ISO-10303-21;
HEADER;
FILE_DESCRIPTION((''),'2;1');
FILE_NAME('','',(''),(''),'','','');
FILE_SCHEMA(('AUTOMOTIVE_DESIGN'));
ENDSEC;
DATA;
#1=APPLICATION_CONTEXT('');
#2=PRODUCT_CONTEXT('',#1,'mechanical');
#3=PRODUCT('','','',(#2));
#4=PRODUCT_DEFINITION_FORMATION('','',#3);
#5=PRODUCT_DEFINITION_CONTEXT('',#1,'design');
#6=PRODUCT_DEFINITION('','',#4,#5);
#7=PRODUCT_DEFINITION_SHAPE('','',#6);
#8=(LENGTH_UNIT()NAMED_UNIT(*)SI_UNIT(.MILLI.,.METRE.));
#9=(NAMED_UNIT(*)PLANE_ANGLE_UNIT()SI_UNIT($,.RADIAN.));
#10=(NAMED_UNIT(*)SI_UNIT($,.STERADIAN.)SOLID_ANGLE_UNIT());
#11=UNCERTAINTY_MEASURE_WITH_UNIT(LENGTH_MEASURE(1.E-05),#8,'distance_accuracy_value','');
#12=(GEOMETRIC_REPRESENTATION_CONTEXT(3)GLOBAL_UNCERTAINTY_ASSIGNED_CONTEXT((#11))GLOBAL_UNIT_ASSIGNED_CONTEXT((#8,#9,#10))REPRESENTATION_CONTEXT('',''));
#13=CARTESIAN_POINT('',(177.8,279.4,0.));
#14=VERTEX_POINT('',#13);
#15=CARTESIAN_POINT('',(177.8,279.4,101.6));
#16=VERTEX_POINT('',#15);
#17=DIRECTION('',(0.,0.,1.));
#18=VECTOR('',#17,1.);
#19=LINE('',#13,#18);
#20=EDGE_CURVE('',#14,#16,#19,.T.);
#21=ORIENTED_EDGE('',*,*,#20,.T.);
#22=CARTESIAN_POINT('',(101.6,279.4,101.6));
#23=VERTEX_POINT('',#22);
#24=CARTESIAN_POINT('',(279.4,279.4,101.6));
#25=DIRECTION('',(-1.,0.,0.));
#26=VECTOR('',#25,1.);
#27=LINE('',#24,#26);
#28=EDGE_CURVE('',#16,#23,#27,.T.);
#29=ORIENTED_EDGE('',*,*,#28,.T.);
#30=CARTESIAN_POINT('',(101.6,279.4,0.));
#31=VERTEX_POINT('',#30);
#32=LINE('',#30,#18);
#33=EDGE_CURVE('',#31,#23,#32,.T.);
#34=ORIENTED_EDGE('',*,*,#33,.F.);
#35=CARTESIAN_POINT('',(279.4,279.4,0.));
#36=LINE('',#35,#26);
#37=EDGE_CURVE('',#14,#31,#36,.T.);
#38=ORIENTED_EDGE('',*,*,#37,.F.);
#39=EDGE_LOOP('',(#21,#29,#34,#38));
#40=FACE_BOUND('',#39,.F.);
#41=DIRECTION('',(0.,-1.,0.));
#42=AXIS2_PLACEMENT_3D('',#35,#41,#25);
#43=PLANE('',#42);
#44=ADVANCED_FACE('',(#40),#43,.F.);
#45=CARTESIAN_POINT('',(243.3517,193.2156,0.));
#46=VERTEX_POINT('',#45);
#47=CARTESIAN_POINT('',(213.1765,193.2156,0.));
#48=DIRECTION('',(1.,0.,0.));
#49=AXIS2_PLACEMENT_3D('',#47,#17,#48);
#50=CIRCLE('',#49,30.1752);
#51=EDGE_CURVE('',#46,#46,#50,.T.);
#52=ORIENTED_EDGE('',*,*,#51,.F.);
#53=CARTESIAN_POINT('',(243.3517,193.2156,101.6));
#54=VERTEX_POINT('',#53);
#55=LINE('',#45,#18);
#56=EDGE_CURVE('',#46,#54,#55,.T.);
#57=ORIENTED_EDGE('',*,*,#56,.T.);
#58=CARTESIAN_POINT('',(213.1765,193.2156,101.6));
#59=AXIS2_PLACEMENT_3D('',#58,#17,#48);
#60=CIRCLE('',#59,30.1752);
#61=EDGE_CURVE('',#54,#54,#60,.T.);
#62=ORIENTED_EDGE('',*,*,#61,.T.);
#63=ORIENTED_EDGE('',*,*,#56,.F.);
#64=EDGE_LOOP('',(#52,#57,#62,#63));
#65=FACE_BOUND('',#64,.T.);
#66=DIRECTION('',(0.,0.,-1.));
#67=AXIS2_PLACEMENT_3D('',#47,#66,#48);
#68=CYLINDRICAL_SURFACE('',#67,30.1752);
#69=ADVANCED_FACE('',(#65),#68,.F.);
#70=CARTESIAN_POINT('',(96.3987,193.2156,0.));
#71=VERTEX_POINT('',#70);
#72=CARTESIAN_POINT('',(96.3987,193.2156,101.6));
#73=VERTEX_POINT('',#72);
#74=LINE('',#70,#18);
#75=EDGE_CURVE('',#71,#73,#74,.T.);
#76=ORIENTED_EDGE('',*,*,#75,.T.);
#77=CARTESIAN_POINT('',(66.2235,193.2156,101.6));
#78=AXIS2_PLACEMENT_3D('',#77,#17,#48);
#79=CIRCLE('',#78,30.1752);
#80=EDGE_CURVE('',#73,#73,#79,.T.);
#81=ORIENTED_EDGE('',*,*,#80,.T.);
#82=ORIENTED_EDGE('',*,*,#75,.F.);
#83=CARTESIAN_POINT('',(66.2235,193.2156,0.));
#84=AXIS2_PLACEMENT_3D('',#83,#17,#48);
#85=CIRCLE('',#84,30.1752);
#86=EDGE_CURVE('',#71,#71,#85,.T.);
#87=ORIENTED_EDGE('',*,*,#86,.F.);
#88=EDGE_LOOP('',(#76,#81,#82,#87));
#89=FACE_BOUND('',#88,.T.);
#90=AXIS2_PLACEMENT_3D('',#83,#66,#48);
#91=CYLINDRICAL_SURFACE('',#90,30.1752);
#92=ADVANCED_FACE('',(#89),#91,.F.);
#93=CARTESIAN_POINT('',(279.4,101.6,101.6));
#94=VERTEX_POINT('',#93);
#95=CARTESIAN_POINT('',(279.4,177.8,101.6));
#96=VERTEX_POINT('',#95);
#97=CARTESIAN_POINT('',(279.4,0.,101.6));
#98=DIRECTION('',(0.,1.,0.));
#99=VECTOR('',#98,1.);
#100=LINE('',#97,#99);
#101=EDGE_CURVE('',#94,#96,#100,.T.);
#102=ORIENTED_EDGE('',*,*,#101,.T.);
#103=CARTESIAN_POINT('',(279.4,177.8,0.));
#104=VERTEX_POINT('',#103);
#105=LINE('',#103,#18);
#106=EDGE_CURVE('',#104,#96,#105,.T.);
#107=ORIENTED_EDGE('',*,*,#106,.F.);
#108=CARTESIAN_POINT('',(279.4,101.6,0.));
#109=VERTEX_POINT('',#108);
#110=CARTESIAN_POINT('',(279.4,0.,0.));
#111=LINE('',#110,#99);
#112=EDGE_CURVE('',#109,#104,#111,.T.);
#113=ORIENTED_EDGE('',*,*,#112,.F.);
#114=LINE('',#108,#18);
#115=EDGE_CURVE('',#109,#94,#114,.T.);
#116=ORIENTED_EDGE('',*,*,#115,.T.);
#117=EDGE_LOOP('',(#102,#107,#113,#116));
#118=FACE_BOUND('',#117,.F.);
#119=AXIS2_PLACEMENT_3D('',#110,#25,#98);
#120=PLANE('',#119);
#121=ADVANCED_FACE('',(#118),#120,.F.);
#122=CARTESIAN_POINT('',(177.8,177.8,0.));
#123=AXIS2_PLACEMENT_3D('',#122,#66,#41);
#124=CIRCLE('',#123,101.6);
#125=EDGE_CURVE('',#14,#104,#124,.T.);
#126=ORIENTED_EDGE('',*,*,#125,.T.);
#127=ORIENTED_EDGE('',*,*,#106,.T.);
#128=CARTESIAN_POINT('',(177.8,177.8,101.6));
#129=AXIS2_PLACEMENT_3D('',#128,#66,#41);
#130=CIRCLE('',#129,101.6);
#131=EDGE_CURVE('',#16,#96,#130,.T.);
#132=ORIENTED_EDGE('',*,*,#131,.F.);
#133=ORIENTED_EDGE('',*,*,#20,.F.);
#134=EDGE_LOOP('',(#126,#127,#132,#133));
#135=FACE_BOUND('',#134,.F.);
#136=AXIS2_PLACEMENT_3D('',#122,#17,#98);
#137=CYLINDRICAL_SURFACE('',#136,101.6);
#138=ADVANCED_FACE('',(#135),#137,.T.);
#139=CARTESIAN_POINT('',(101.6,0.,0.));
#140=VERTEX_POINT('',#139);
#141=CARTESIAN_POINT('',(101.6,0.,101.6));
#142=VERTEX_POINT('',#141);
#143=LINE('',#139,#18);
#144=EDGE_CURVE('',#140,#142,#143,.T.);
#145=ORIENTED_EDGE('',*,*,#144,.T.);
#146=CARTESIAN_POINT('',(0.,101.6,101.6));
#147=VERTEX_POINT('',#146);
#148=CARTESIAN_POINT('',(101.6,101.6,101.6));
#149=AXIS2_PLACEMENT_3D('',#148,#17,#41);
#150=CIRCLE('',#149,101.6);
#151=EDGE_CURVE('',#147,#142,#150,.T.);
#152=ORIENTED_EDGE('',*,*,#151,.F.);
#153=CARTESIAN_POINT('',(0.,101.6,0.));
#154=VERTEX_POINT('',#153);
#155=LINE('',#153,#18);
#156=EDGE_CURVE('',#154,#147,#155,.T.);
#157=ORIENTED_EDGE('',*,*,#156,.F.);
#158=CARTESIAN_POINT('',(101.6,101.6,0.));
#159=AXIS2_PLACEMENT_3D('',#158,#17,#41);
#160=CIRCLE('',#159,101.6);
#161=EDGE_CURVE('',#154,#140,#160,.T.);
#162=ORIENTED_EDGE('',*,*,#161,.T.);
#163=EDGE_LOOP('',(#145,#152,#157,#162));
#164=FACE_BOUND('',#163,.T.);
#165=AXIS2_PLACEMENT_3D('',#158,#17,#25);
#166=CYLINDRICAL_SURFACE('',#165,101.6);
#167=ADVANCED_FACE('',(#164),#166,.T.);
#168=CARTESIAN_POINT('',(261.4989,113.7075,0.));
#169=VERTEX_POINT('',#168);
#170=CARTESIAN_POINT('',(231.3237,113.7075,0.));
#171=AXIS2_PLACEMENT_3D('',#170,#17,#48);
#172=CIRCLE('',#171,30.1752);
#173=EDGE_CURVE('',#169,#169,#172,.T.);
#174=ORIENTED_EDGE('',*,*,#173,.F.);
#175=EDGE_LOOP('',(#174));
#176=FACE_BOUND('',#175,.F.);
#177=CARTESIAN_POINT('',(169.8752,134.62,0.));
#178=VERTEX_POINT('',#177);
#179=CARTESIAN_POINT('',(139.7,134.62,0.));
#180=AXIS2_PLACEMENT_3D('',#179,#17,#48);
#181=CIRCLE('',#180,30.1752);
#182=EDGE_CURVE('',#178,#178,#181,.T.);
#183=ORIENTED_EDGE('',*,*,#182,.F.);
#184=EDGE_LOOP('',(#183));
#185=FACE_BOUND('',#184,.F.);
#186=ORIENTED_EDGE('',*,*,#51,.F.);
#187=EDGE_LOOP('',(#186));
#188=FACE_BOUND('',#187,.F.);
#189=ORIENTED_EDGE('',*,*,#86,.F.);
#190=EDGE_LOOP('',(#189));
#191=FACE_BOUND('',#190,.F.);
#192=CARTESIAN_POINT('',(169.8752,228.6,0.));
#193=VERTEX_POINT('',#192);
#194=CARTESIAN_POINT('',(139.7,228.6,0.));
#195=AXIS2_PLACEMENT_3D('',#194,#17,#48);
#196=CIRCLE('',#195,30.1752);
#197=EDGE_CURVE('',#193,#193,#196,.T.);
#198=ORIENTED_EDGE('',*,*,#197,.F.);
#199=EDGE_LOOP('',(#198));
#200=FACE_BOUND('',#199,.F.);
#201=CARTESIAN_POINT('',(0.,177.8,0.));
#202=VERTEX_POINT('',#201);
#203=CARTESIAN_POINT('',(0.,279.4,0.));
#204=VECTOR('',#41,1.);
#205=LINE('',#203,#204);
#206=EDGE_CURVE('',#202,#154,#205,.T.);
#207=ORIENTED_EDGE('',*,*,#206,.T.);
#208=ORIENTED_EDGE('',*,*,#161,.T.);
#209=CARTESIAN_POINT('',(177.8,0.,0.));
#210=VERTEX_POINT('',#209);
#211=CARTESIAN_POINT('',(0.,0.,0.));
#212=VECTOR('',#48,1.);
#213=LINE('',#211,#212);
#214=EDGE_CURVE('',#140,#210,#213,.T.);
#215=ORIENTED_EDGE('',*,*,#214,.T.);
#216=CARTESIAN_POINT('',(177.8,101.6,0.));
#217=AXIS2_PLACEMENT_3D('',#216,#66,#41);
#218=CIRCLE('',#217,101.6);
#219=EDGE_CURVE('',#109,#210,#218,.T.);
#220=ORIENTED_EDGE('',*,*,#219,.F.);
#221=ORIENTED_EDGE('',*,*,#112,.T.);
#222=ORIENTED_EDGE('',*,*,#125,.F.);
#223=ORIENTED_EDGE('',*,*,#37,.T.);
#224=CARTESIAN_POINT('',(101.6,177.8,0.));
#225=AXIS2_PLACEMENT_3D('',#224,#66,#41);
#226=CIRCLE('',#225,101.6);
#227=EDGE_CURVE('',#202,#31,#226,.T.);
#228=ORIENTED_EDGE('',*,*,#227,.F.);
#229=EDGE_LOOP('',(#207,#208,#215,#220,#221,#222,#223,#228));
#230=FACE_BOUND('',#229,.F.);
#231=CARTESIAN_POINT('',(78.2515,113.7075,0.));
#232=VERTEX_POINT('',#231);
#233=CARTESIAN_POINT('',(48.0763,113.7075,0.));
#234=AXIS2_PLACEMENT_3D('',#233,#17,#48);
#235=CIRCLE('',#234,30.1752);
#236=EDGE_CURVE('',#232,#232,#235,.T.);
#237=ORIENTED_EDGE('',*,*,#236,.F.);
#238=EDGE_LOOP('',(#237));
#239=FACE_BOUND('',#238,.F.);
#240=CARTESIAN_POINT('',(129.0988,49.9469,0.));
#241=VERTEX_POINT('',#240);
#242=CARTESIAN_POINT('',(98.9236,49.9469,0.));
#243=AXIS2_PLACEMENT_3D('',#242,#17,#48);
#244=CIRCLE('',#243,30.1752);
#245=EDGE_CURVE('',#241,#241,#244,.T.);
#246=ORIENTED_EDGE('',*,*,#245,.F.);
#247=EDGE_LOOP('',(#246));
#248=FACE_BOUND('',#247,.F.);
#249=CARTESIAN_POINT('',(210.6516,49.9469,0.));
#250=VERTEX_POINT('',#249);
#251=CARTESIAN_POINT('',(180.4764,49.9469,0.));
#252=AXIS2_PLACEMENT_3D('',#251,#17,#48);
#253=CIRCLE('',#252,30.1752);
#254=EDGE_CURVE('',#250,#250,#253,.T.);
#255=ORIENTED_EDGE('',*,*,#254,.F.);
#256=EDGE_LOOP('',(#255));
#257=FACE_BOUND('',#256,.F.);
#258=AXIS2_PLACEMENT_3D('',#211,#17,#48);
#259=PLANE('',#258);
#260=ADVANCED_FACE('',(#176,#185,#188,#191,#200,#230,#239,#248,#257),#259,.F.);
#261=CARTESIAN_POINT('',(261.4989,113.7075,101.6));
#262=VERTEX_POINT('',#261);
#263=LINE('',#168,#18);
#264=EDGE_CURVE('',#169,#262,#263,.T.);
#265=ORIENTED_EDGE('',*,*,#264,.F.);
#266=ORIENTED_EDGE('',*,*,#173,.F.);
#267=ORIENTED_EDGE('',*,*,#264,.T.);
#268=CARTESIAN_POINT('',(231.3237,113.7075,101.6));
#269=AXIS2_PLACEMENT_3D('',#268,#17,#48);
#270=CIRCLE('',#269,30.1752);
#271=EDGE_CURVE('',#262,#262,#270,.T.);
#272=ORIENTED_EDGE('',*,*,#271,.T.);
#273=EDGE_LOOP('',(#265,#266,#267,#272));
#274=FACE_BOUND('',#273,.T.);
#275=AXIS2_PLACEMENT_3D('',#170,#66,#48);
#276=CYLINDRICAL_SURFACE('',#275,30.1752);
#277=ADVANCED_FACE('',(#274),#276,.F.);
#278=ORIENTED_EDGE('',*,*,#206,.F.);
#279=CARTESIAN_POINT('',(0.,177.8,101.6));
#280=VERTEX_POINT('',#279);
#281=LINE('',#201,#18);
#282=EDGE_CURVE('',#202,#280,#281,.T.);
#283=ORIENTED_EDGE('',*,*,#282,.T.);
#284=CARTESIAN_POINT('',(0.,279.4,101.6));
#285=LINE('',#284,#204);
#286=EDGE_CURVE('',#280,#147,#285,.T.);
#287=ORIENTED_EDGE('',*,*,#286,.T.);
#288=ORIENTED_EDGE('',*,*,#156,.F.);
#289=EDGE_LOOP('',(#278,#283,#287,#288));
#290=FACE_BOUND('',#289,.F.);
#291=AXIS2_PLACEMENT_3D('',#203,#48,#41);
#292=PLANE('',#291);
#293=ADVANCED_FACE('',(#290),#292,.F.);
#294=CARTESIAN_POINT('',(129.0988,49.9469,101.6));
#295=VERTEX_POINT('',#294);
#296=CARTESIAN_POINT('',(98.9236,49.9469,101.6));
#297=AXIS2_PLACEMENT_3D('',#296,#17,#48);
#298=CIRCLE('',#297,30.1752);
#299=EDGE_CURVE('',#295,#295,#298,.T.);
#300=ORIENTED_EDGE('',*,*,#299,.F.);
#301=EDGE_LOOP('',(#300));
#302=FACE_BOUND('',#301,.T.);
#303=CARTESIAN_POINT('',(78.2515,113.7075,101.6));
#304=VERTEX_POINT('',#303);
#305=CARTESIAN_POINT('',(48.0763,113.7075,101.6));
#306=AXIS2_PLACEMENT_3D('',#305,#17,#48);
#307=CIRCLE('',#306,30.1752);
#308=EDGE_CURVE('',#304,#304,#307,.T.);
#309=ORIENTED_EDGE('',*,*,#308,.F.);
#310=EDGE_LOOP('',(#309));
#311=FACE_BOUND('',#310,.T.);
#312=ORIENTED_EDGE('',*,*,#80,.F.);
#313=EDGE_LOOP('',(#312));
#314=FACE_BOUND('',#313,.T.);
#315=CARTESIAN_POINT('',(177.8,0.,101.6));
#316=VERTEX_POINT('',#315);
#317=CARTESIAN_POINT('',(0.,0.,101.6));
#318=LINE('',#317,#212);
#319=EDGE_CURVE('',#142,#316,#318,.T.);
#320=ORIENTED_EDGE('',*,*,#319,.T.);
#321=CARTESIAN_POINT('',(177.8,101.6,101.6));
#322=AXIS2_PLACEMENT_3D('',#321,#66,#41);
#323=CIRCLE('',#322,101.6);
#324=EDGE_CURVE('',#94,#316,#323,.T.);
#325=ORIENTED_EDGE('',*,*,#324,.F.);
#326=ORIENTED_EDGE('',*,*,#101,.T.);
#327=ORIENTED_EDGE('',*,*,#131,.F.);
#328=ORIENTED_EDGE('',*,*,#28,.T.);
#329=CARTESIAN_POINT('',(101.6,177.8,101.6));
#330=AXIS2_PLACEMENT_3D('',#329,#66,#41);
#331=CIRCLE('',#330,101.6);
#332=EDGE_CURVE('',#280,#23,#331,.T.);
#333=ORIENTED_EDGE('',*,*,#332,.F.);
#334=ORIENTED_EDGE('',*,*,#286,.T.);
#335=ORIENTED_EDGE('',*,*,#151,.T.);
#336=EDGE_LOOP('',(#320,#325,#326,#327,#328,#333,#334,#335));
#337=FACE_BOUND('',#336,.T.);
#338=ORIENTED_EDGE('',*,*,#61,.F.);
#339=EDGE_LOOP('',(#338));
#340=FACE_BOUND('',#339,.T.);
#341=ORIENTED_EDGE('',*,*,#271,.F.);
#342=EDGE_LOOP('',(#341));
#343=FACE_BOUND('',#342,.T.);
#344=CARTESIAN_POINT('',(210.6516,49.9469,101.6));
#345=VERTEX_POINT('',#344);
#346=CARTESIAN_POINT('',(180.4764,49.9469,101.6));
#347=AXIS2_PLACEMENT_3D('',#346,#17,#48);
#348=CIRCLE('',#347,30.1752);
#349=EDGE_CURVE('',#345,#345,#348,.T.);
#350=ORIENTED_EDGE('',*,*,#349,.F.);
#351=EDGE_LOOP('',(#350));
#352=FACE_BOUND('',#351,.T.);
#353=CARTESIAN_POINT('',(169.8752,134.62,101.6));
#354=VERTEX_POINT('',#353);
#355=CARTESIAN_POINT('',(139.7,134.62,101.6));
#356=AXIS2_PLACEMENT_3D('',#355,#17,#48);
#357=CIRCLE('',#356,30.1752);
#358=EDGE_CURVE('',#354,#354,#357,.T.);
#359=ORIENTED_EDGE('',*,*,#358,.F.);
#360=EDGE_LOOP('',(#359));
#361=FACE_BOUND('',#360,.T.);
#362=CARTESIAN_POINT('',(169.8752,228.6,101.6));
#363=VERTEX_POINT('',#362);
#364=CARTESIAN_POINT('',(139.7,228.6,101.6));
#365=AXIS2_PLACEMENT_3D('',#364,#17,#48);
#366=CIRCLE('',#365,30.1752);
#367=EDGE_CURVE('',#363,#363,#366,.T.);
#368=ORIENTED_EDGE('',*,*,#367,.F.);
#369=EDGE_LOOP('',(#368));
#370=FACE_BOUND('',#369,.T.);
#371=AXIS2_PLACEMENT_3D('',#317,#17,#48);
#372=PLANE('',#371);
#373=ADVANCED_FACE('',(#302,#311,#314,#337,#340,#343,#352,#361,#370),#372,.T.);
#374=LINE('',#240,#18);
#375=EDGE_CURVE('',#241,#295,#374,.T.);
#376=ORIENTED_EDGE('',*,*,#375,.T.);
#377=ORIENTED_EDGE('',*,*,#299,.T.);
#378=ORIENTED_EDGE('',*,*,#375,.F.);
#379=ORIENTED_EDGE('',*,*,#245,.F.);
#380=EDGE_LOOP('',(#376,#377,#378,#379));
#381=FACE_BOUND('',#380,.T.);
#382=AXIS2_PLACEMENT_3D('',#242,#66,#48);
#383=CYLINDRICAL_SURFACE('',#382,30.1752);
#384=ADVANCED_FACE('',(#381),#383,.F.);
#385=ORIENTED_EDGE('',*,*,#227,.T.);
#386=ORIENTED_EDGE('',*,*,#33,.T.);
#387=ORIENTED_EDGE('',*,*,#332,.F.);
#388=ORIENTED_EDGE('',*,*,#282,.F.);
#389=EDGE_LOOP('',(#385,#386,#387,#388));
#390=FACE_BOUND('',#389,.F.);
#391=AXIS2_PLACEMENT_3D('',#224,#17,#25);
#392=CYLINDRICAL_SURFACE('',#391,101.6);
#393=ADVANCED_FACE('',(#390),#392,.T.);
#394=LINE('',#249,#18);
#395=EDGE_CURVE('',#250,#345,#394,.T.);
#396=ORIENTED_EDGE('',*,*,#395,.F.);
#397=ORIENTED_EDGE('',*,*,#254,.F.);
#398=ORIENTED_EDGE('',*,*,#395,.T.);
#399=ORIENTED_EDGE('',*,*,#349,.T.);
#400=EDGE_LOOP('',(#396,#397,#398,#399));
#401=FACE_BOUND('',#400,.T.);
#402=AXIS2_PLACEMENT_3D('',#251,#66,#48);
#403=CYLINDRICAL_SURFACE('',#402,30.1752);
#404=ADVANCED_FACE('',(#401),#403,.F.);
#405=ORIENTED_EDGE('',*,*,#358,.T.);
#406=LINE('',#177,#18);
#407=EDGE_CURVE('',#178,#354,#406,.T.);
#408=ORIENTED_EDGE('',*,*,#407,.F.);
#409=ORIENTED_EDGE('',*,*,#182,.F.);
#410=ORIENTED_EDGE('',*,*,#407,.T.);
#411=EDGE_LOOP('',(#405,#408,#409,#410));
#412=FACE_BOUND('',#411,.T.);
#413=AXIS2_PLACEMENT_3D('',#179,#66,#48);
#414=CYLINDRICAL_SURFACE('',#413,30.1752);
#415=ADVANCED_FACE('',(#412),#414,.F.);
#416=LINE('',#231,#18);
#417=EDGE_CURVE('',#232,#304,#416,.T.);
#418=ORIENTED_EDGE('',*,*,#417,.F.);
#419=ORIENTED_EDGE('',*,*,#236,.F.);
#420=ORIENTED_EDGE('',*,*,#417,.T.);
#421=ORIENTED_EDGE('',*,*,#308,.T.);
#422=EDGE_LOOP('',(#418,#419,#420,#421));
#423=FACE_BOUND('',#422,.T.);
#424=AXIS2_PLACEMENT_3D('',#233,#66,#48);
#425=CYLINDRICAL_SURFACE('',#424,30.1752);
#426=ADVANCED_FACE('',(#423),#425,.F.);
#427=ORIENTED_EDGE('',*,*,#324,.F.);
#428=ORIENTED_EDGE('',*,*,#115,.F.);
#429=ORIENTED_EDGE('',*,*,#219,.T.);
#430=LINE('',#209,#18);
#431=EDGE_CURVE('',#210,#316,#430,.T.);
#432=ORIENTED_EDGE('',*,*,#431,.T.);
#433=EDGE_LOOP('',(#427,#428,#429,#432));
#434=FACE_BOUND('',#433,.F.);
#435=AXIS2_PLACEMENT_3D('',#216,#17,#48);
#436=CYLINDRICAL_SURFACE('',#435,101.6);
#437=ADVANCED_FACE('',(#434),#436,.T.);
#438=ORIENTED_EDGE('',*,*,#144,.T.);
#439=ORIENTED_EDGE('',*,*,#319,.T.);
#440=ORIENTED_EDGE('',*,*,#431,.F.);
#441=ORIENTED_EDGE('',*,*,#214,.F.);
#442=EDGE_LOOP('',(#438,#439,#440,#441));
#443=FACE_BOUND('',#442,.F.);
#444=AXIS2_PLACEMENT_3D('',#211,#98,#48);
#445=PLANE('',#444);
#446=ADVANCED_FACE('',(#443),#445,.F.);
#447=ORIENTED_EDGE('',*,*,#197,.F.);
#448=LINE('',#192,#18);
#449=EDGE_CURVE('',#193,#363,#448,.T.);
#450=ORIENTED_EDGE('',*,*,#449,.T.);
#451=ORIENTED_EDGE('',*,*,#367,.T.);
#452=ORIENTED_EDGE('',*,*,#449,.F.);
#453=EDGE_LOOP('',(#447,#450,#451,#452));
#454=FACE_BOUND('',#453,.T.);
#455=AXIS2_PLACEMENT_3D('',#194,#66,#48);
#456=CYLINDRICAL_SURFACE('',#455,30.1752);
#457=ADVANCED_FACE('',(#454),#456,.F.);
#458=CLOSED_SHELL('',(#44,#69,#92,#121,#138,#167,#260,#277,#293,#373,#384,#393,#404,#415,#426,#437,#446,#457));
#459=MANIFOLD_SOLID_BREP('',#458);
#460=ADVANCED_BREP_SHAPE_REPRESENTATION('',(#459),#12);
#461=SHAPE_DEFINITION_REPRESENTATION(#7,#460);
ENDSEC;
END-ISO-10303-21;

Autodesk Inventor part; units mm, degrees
ref_plane "YZ Plane" through (0, 0, 0) normal (1, 0, 0) x (0, 1, 0)
sketch "Sketch1" plane through (0, 0, 0) normal (0, 0, 1) x (1, 0, 0)
  line L0 (0, 0) -> (279.4, 0)
  line L1 (279.4, 0) -> (279.4, 279.4)
  line L2 (279.4, 279.4) -> (0, 279.4)
  line L3 (0, 279.4) -> (0, 0)
  circle A0 centre (139.7, 134.62) radius 30.1752
  circle A1 centre (139.7, 228.6) radius 30.1752
  circle A2 centre (66.2235, 193.2156) radius 30.1752
  circle A3 centre (48.0763, 113.7075) radius 30.1752
  circle A4 centre (98.9236, 49.9469) radius 30.1752
  circle A5 centre (180.4764, 49.9469) radius 30.1752
  circle A6 centre (231.3237, 113.7075) radius 30.1752
  circle A7 centre (213.1765, 193.2156) radius 30.1752
  dimension "d0" = 279.4
  dimension "d1" = 279.4
  dimension "d2" = 60.3504
  dimension "d3" = 60.3504
  dimension "d22" = 360
extrude "Extrusion1" add sketch "Sketch1" along normal blind 101.6
fillet "Fillet1" radius 101.6 4 edges at (279.4, 279.4, 50.8) (0, 279.4, 50.8) (279.4, 0, 50.8) (0, 0, 50.8)
ref_plane "Work Plane1" through (139.7, 101.6, 0) normal (1, 0, 0) x (0, 0, -1)
ref_plane "Work Plane2" through (0, 0, 50.8) normal (0, 0, 1) x (1, 0, 0)
sketch "Sketch2" plane through (279.4, 101.6, 0) normal (1, 0, 0) x (0, 0, -1)
  line L0 (0, 0) -> (-101.6, 0) projected
  line L1 (0, 0) -> (0, 76.2) projected
  line L2 (-101.6, 76.2) -> (0, 76.2) projected
  line L3 (-101.6, 0) -> (-101.6, 76.2) projected
  circle A0 centre (-50.8, 38.1) radius 12.7
  point P0 (0, -101.6)
  dimension "d14" = 25.4
sketch "Sketch3" plane through (0, 101.6, 0) normal (-1, 0, 0) x (0, 0, 1)
  line L0 (101.6, 0) -> (0, 0) projected
  line L1 (101.6, 76.2) -> (101.6, 0) projected
  line L2 (0, 76.2) -> (101.6, 76.2) projected
  line L3 (0, 76.2) -> (0, 0) projected
  circle A0 centre (50.8, 38.1) radius 12.7
  point P0 (0, -101.6)
  dimension "d15" = 25.4
properties part number "ShooterMount-1in"
